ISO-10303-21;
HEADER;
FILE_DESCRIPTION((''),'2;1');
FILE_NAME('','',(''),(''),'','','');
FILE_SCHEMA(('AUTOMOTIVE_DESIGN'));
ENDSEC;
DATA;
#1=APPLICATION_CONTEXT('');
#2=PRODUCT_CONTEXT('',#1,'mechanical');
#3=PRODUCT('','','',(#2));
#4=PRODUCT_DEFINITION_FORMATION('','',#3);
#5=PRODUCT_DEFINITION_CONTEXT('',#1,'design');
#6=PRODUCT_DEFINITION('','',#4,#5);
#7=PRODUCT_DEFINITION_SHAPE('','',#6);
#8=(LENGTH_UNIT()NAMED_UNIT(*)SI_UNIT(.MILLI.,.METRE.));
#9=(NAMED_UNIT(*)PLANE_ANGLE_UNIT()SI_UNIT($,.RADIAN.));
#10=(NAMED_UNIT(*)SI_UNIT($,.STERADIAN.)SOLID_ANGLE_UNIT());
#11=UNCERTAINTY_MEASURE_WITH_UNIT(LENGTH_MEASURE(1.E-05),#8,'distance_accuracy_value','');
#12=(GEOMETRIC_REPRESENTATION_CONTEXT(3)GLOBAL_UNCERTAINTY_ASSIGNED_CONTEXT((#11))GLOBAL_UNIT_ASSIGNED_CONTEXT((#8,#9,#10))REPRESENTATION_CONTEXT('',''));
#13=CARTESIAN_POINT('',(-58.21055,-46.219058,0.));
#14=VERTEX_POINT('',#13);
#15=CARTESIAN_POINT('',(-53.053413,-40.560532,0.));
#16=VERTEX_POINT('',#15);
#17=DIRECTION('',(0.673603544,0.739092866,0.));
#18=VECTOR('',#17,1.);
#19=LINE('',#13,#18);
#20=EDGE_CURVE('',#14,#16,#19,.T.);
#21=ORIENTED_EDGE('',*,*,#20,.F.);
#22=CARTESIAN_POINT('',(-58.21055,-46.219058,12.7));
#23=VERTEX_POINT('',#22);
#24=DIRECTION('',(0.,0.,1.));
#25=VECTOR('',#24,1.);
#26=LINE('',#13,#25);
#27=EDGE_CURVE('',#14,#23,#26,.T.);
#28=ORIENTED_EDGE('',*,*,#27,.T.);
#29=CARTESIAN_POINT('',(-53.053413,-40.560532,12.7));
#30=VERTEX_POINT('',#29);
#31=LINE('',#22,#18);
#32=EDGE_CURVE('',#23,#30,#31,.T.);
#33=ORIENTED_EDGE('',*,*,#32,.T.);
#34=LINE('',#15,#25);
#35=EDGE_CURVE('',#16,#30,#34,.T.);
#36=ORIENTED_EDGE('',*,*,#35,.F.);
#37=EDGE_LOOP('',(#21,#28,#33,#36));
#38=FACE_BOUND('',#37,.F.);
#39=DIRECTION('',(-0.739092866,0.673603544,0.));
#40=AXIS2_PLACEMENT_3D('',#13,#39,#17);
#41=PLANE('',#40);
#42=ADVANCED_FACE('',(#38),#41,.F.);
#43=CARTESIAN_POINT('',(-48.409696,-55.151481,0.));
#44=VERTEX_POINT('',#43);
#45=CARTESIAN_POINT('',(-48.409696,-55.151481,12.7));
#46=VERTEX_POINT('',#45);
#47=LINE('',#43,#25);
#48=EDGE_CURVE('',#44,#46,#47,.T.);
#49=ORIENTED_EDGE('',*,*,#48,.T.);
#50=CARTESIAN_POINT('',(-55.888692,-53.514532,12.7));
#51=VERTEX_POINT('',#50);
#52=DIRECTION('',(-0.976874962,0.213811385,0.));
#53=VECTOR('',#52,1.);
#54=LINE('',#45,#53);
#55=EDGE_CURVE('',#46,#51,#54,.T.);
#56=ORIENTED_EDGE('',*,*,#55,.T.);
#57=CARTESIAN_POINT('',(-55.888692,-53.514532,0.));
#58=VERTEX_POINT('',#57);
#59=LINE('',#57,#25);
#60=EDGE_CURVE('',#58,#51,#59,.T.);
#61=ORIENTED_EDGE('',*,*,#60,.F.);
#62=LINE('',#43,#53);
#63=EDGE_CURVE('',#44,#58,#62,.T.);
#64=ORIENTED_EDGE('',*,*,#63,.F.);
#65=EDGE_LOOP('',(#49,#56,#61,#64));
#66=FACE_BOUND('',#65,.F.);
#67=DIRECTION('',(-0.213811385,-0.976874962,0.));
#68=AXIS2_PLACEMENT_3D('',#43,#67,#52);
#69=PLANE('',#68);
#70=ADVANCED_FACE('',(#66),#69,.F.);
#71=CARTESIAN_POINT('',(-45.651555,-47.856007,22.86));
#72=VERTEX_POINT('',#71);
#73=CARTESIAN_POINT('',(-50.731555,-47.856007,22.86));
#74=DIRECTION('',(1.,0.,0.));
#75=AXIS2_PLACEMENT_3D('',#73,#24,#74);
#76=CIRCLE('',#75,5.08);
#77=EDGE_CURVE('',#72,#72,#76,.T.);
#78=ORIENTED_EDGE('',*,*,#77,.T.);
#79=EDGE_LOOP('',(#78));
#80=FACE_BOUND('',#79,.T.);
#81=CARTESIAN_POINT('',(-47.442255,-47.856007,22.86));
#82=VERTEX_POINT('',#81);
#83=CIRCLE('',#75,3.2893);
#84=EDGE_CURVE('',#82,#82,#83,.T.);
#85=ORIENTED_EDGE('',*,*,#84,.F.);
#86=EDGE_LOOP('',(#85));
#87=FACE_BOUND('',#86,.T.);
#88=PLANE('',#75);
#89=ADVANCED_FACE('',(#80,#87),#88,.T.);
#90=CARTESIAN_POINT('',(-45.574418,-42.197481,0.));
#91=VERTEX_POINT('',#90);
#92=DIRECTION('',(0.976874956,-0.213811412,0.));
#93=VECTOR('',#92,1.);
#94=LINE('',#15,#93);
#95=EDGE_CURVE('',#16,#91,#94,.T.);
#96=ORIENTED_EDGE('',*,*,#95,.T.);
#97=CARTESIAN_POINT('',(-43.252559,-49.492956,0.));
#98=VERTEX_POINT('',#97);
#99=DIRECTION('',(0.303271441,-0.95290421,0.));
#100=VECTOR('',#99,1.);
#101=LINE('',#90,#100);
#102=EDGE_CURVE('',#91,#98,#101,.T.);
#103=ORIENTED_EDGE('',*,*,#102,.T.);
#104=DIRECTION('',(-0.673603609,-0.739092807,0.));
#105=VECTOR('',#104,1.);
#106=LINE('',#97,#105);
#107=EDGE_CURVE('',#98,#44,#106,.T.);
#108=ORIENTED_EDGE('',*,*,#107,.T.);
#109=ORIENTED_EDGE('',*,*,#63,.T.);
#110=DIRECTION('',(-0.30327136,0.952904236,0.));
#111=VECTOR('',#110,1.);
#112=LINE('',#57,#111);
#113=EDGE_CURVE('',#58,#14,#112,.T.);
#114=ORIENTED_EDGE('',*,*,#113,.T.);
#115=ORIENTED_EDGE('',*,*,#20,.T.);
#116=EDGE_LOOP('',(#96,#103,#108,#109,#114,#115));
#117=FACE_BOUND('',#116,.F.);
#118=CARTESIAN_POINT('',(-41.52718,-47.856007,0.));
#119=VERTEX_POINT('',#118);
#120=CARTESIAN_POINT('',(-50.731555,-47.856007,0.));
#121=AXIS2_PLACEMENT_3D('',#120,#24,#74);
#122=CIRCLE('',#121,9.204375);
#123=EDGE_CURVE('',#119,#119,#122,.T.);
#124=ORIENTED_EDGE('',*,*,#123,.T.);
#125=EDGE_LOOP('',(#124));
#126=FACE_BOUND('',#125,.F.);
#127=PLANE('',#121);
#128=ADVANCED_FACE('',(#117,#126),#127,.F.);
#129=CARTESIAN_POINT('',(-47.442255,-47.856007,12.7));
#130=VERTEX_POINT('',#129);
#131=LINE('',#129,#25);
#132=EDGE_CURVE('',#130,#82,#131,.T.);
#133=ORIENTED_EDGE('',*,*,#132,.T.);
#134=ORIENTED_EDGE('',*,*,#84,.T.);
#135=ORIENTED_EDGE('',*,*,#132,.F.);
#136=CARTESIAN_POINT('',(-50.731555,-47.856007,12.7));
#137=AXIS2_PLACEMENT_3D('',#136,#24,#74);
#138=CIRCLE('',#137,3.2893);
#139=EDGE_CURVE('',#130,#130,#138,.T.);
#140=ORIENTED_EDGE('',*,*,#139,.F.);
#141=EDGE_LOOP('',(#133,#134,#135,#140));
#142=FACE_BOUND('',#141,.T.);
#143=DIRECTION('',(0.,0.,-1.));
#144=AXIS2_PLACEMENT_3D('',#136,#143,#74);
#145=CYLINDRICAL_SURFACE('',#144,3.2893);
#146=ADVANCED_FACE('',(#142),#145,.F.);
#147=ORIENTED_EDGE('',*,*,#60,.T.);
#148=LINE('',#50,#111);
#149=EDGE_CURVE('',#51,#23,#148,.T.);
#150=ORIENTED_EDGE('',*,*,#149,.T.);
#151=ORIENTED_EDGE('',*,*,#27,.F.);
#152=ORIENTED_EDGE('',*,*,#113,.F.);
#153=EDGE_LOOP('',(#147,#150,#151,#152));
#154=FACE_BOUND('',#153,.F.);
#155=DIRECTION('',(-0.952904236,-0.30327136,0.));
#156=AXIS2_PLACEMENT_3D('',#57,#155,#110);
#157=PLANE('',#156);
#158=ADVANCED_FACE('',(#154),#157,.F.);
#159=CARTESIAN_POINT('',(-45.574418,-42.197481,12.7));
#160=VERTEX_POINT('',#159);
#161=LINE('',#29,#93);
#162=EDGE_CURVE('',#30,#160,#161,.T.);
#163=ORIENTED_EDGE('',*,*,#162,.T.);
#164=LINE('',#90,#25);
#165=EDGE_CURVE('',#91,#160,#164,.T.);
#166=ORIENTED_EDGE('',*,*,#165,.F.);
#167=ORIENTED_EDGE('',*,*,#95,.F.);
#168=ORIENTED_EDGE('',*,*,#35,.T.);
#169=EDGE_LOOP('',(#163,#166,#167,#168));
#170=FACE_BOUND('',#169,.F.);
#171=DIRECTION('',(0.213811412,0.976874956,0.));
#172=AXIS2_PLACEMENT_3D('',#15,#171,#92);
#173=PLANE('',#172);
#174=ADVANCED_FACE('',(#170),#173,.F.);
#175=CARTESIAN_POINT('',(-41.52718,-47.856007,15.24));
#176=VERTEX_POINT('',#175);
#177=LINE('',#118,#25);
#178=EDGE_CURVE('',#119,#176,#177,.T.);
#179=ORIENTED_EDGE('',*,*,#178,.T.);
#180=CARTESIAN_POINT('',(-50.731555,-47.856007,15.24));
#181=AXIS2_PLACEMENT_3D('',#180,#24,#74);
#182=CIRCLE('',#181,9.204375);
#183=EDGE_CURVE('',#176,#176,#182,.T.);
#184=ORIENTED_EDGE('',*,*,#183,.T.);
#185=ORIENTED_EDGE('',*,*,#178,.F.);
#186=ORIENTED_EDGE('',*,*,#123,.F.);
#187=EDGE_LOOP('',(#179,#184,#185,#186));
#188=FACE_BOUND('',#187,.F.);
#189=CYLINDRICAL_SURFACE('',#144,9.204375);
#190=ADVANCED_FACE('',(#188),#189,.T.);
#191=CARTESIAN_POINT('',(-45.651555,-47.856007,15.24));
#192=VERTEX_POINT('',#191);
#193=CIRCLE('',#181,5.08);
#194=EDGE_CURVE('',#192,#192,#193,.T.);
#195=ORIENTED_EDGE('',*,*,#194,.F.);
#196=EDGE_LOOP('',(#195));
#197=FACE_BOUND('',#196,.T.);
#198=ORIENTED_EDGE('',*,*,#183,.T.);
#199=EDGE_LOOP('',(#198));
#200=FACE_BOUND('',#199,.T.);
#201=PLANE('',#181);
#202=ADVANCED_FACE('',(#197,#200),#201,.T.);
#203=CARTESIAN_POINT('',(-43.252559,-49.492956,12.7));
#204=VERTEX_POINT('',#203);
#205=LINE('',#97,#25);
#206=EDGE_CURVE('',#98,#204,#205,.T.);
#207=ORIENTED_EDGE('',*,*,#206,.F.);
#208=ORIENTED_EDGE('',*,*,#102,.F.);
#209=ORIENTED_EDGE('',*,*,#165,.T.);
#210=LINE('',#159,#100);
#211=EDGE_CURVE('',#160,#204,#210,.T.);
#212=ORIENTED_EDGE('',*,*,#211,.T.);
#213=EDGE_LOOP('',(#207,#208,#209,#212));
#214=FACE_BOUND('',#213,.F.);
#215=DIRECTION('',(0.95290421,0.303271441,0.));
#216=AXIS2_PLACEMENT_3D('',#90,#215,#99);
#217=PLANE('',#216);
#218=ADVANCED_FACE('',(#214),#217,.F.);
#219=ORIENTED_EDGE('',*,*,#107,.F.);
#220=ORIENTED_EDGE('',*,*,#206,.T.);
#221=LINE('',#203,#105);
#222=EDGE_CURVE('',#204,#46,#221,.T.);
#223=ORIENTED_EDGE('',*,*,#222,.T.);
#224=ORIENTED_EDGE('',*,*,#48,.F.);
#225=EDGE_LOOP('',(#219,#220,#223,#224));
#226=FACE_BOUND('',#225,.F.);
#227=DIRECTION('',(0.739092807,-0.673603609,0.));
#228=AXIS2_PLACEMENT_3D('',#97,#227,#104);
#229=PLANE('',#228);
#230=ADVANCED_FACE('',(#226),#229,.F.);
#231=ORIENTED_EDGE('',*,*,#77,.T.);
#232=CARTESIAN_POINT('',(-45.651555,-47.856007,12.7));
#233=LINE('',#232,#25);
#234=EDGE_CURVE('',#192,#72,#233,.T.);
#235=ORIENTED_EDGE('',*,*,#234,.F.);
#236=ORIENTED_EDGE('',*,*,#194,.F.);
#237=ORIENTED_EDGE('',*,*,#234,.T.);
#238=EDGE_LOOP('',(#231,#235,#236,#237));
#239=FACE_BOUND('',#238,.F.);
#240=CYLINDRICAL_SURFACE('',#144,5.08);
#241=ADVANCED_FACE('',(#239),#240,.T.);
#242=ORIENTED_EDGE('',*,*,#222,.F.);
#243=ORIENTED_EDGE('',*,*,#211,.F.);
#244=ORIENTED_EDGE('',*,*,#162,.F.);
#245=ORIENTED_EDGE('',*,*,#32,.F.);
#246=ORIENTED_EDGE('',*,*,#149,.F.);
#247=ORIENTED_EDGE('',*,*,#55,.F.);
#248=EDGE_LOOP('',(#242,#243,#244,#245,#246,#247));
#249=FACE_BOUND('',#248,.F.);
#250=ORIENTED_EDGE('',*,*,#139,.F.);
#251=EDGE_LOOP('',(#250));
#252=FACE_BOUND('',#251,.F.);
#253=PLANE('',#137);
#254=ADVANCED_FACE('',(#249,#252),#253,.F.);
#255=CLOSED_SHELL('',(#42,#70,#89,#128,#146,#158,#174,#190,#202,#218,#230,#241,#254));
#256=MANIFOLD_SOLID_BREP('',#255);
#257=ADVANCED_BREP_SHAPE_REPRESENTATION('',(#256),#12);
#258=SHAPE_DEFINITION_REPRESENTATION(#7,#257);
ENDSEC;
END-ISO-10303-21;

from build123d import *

# Parameters (mm, degrees)
F0_R     = 9.204375
F1_DEPTH = 12.7
F2_R     = 9.204375
F2_R_2   = 5.08
F3_DEPTH = 2.54
F2_R_3   = 3.2893
F4_DEPTH = 10.16


with BuildPart() as f1:
    # F0 (on Top) → F1 (new body)
    with BuildSketch(Plane.XY):
        with Locations((-50.731555, -47.856007)):
            Circle(F0_R)
        Polygon((-45.574418, -42.197481), (-43.252559, -49.492956), (-48.409696, -55.151481), (-55.888692, -53.514532), (-58.21055, -46.219058), (-53.053413, -40.560532), align=None, mode=Mode.SUBTRACT)
    extrude(amount=F1_DEPTH)

    # F2 (on face) → F3 (join)
    with BuildSketch(Plane.XY.offset(12.7)):
        with Locations((-50.731555, -47.856007)):
            Circle(F2_R)
        Polygon((-53.053413, -40.560532), (-45.574418, -42.197481), (-43.252559, -49.492956), (-48.409696, -55.151481), (-55.888692, -53.514532), (-58.21055, -46.219058), align=None, mode=Mode.SUBTRACT)
        Polygon((-43.252559, -49.492956), (-45.574418, -42.197481), (-53.053413, -40.560532), (-58.21055, -46.219058), (-55.888692, -53.514532), (-48.409696, -55.151481), align=None)
        with Locations((-50.731555, -47.856007)):
            Circle(F2_R_2, mode=Mode.SUBTRACT)
    extrude(amount=F3_DEPTH)

    # F2 (on face) → F4 (join)
    with BuildSketch(Plane.XY.offset(12.7)):
        with Locations((-50.731555, -47.856007)):
            Circle(F2_R_2)
        with Locations((-50.731555, -47.856007)):
            Circle(F2_R_3, mode=Mode.SUBTRACT)
    extrude(amount=F4_DEPTH)


solid = f1.part
